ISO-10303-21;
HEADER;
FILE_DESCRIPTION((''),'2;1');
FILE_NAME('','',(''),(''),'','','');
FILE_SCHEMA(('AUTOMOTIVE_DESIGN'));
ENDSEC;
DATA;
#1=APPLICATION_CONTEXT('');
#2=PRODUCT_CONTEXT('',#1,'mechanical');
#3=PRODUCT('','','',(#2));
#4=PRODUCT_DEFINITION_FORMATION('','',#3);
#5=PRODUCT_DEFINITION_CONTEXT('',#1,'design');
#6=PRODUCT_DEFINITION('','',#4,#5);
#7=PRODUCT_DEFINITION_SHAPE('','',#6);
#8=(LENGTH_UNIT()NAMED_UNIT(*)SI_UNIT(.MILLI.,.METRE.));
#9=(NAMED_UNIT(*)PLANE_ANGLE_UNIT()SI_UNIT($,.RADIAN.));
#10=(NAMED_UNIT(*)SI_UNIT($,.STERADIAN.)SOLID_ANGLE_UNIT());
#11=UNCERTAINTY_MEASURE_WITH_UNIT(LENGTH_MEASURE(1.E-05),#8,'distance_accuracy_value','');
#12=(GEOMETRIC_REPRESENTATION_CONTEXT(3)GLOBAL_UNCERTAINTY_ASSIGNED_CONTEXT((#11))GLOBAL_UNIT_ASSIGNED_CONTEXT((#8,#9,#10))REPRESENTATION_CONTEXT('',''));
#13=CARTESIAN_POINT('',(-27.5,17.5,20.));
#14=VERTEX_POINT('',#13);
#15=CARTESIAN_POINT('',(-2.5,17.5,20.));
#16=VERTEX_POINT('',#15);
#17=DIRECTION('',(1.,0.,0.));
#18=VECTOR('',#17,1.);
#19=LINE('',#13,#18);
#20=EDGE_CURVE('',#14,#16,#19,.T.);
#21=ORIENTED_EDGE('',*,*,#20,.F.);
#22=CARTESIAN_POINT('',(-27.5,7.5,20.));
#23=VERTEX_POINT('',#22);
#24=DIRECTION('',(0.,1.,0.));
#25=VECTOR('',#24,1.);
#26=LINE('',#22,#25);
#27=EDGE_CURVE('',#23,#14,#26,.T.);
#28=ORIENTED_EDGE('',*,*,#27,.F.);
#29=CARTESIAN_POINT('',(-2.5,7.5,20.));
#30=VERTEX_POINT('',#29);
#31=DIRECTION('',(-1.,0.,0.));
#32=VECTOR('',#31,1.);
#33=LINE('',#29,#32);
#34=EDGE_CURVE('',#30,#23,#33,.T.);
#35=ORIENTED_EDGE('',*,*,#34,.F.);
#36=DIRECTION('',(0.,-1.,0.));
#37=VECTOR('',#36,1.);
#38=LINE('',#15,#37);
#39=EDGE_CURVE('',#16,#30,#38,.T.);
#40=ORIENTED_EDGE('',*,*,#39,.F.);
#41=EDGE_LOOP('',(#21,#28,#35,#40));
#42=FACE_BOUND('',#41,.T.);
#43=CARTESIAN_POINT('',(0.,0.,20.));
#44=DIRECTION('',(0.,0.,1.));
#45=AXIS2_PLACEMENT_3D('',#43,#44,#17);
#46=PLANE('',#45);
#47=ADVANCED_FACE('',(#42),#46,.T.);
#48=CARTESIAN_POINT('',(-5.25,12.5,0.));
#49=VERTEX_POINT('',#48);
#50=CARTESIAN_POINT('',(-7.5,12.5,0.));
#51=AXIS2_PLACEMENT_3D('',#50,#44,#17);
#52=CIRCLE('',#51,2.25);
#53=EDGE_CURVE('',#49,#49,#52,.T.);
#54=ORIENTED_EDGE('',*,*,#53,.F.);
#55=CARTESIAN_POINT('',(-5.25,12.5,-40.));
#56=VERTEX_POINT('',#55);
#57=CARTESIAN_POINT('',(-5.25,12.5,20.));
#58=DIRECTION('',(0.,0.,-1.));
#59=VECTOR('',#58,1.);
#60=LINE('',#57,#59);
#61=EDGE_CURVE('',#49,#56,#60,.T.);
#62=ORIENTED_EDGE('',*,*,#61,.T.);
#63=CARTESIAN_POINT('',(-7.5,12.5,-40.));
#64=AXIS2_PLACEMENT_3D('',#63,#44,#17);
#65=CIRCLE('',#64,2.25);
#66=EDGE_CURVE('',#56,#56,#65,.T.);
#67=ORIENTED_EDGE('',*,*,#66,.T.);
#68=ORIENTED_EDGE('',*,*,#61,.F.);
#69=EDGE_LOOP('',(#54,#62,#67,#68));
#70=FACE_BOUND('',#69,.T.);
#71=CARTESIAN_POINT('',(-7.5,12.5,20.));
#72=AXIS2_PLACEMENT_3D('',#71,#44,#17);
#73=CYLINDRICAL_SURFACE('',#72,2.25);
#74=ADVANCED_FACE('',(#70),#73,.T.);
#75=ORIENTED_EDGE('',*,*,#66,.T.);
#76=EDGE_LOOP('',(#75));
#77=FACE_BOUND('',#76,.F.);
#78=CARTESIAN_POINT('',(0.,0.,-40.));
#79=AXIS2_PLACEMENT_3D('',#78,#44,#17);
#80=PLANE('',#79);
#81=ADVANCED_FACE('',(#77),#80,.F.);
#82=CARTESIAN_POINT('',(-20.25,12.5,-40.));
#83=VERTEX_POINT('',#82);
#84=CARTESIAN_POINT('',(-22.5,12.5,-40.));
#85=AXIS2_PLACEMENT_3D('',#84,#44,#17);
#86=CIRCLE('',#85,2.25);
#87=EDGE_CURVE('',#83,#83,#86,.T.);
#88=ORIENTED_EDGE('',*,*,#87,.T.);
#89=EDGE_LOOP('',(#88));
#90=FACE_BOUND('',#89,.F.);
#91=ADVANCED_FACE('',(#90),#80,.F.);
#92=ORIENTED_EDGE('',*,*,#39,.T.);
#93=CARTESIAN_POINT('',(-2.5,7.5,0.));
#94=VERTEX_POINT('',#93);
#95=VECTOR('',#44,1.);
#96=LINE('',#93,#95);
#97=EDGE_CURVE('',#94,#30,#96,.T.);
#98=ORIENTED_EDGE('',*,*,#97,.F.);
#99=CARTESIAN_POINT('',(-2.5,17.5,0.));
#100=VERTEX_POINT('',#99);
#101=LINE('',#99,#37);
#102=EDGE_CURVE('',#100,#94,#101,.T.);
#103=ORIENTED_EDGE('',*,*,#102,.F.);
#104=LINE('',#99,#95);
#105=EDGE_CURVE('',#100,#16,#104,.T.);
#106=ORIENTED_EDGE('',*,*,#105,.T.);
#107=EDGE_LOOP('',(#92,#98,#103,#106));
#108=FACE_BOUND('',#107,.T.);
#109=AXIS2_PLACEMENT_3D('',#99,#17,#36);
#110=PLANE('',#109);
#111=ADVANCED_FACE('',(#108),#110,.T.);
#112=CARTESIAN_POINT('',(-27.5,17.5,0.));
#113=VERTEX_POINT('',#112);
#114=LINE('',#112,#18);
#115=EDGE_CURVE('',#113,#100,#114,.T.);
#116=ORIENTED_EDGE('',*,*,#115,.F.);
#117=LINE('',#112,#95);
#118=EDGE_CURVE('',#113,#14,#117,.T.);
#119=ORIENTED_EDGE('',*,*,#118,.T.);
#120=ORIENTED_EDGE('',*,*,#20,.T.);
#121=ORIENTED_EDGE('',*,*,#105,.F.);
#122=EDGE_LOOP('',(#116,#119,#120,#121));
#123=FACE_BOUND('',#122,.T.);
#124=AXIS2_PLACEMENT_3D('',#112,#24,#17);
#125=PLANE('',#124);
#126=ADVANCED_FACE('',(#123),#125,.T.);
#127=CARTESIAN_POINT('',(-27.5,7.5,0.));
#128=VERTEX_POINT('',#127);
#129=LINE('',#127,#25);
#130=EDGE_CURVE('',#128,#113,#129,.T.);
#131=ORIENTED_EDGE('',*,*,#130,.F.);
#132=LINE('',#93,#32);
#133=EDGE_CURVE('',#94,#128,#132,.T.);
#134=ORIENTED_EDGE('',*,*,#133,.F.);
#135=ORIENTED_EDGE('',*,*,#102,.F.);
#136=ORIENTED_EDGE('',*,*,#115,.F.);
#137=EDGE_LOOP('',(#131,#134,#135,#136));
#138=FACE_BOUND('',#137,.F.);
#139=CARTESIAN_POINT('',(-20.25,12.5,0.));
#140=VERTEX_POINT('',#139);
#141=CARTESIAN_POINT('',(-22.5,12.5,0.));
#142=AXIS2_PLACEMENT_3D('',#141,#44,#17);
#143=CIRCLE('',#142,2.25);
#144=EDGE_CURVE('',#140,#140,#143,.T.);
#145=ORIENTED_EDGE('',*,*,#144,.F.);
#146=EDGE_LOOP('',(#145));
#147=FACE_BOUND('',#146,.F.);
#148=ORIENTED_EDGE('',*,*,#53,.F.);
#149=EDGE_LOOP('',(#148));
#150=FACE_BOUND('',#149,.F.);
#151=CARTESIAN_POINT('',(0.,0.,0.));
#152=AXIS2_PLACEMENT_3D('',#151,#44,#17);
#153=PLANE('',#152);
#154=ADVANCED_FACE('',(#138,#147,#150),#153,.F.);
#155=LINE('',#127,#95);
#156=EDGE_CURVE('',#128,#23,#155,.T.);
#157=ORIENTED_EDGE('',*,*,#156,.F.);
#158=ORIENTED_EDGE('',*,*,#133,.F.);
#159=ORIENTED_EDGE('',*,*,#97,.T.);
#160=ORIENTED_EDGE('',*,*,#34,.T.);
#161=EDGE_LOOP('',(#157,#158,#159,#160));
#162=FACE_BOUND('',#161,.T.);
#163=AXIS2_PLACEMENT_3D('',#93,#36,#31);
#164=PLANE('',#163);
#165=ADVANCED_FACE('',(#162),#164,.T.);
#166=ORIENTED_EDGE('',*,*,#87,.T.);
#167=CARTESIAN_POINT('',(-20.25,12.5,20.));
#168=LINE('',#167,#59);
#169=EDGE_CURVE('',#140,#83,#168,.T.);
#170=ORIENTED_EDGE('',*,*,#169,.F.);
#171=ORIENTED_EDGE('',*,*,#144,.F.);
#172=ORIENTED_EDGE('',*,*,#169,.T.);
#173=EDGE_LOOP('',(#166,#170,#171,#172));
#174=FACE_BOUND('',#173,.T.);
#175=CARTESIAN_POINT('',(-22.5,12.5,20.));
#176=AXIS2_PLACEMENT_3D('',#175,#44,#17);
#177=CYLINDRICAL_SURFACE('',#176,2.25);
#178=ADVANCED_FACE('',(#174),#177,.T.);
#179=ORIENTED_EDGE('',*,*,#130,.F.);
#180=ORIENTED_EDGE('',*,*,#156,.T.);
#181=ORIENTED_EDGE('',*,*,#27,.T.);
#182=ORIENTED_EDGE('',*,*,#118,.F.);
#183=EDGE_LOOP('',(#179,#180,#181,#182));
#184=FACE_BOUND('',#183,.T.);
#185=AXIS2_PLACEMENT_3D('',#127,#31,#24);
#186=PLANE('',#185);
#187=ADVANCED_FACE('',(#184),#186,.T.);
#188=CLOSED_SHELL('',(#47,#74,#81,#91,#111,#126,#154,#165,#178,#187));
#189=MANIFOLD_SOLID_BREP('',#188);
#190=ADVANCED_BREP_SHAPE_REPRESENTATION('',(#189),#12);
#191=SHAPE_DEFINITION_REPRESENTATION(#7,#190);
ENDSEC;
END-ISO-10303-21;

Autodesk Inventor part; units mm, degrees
ref_plane "YZ Plane" through (0, 0, 0) normal (1, 0, 0) x (0, 1, 0)
ref_plane "XZ Plane" through (0, 0, 0) normal (0, 1, 0) x (-1, 0, 0)
ref_plane "XY Plane" through (0, 0, 0) normal (0, 0, 1) x (1, 0, 0)
sketch "Sketch1" plane through (0, 0, 0) normal (0, 0, 1) x (1, 0, 0)
  line L0 (-2.5, 7.5) -> (-27.5, 7.5)
  line L1 (-27.5, 7.5) -> (-27.5, 17.5)
  line L2 (-27.5, 17.5) -> (-2.5, 17.5)
  line L3 (-2.5, 17.5) -> (-2.5, 7.5)
  point P0 (0, 0)
  dimension "d0" = 10
  dimension "d1" = 25
  dimension "d2" = 2.5
  dimension "d3" = 7.5
extrude "Extrusion1" add sketch "Sketch1" along normal blind 20
sketch "Sketch2" plane through (0, 0, 20) normal (0, 0, 1) x (1, 0, 0)
  circle A0 centre (-7.5, 12.5) radius 2.25
  circle A1 centre (-22.5, 12.5) radius 2.25
  line L0 (-27.5, 7.5) -> (-2.5, 7.5) projected
  line L1 (-27.5, 17.5) -> (-27.5, 7.5) projected
  line L2 (-2.5, 7.5) -> (-2.5, 17.5) projected
  point P0 (0, 0)
  dimension "d6" = 4.5
  dimension "d7" = 5
  dimension "d8" = 5
  dimension "d9" = 5
  dimension "d10" = 5
extrude "Extrusion2" add sketch "Sketch2" against normal blind 60
properties part number "arm_safe"
